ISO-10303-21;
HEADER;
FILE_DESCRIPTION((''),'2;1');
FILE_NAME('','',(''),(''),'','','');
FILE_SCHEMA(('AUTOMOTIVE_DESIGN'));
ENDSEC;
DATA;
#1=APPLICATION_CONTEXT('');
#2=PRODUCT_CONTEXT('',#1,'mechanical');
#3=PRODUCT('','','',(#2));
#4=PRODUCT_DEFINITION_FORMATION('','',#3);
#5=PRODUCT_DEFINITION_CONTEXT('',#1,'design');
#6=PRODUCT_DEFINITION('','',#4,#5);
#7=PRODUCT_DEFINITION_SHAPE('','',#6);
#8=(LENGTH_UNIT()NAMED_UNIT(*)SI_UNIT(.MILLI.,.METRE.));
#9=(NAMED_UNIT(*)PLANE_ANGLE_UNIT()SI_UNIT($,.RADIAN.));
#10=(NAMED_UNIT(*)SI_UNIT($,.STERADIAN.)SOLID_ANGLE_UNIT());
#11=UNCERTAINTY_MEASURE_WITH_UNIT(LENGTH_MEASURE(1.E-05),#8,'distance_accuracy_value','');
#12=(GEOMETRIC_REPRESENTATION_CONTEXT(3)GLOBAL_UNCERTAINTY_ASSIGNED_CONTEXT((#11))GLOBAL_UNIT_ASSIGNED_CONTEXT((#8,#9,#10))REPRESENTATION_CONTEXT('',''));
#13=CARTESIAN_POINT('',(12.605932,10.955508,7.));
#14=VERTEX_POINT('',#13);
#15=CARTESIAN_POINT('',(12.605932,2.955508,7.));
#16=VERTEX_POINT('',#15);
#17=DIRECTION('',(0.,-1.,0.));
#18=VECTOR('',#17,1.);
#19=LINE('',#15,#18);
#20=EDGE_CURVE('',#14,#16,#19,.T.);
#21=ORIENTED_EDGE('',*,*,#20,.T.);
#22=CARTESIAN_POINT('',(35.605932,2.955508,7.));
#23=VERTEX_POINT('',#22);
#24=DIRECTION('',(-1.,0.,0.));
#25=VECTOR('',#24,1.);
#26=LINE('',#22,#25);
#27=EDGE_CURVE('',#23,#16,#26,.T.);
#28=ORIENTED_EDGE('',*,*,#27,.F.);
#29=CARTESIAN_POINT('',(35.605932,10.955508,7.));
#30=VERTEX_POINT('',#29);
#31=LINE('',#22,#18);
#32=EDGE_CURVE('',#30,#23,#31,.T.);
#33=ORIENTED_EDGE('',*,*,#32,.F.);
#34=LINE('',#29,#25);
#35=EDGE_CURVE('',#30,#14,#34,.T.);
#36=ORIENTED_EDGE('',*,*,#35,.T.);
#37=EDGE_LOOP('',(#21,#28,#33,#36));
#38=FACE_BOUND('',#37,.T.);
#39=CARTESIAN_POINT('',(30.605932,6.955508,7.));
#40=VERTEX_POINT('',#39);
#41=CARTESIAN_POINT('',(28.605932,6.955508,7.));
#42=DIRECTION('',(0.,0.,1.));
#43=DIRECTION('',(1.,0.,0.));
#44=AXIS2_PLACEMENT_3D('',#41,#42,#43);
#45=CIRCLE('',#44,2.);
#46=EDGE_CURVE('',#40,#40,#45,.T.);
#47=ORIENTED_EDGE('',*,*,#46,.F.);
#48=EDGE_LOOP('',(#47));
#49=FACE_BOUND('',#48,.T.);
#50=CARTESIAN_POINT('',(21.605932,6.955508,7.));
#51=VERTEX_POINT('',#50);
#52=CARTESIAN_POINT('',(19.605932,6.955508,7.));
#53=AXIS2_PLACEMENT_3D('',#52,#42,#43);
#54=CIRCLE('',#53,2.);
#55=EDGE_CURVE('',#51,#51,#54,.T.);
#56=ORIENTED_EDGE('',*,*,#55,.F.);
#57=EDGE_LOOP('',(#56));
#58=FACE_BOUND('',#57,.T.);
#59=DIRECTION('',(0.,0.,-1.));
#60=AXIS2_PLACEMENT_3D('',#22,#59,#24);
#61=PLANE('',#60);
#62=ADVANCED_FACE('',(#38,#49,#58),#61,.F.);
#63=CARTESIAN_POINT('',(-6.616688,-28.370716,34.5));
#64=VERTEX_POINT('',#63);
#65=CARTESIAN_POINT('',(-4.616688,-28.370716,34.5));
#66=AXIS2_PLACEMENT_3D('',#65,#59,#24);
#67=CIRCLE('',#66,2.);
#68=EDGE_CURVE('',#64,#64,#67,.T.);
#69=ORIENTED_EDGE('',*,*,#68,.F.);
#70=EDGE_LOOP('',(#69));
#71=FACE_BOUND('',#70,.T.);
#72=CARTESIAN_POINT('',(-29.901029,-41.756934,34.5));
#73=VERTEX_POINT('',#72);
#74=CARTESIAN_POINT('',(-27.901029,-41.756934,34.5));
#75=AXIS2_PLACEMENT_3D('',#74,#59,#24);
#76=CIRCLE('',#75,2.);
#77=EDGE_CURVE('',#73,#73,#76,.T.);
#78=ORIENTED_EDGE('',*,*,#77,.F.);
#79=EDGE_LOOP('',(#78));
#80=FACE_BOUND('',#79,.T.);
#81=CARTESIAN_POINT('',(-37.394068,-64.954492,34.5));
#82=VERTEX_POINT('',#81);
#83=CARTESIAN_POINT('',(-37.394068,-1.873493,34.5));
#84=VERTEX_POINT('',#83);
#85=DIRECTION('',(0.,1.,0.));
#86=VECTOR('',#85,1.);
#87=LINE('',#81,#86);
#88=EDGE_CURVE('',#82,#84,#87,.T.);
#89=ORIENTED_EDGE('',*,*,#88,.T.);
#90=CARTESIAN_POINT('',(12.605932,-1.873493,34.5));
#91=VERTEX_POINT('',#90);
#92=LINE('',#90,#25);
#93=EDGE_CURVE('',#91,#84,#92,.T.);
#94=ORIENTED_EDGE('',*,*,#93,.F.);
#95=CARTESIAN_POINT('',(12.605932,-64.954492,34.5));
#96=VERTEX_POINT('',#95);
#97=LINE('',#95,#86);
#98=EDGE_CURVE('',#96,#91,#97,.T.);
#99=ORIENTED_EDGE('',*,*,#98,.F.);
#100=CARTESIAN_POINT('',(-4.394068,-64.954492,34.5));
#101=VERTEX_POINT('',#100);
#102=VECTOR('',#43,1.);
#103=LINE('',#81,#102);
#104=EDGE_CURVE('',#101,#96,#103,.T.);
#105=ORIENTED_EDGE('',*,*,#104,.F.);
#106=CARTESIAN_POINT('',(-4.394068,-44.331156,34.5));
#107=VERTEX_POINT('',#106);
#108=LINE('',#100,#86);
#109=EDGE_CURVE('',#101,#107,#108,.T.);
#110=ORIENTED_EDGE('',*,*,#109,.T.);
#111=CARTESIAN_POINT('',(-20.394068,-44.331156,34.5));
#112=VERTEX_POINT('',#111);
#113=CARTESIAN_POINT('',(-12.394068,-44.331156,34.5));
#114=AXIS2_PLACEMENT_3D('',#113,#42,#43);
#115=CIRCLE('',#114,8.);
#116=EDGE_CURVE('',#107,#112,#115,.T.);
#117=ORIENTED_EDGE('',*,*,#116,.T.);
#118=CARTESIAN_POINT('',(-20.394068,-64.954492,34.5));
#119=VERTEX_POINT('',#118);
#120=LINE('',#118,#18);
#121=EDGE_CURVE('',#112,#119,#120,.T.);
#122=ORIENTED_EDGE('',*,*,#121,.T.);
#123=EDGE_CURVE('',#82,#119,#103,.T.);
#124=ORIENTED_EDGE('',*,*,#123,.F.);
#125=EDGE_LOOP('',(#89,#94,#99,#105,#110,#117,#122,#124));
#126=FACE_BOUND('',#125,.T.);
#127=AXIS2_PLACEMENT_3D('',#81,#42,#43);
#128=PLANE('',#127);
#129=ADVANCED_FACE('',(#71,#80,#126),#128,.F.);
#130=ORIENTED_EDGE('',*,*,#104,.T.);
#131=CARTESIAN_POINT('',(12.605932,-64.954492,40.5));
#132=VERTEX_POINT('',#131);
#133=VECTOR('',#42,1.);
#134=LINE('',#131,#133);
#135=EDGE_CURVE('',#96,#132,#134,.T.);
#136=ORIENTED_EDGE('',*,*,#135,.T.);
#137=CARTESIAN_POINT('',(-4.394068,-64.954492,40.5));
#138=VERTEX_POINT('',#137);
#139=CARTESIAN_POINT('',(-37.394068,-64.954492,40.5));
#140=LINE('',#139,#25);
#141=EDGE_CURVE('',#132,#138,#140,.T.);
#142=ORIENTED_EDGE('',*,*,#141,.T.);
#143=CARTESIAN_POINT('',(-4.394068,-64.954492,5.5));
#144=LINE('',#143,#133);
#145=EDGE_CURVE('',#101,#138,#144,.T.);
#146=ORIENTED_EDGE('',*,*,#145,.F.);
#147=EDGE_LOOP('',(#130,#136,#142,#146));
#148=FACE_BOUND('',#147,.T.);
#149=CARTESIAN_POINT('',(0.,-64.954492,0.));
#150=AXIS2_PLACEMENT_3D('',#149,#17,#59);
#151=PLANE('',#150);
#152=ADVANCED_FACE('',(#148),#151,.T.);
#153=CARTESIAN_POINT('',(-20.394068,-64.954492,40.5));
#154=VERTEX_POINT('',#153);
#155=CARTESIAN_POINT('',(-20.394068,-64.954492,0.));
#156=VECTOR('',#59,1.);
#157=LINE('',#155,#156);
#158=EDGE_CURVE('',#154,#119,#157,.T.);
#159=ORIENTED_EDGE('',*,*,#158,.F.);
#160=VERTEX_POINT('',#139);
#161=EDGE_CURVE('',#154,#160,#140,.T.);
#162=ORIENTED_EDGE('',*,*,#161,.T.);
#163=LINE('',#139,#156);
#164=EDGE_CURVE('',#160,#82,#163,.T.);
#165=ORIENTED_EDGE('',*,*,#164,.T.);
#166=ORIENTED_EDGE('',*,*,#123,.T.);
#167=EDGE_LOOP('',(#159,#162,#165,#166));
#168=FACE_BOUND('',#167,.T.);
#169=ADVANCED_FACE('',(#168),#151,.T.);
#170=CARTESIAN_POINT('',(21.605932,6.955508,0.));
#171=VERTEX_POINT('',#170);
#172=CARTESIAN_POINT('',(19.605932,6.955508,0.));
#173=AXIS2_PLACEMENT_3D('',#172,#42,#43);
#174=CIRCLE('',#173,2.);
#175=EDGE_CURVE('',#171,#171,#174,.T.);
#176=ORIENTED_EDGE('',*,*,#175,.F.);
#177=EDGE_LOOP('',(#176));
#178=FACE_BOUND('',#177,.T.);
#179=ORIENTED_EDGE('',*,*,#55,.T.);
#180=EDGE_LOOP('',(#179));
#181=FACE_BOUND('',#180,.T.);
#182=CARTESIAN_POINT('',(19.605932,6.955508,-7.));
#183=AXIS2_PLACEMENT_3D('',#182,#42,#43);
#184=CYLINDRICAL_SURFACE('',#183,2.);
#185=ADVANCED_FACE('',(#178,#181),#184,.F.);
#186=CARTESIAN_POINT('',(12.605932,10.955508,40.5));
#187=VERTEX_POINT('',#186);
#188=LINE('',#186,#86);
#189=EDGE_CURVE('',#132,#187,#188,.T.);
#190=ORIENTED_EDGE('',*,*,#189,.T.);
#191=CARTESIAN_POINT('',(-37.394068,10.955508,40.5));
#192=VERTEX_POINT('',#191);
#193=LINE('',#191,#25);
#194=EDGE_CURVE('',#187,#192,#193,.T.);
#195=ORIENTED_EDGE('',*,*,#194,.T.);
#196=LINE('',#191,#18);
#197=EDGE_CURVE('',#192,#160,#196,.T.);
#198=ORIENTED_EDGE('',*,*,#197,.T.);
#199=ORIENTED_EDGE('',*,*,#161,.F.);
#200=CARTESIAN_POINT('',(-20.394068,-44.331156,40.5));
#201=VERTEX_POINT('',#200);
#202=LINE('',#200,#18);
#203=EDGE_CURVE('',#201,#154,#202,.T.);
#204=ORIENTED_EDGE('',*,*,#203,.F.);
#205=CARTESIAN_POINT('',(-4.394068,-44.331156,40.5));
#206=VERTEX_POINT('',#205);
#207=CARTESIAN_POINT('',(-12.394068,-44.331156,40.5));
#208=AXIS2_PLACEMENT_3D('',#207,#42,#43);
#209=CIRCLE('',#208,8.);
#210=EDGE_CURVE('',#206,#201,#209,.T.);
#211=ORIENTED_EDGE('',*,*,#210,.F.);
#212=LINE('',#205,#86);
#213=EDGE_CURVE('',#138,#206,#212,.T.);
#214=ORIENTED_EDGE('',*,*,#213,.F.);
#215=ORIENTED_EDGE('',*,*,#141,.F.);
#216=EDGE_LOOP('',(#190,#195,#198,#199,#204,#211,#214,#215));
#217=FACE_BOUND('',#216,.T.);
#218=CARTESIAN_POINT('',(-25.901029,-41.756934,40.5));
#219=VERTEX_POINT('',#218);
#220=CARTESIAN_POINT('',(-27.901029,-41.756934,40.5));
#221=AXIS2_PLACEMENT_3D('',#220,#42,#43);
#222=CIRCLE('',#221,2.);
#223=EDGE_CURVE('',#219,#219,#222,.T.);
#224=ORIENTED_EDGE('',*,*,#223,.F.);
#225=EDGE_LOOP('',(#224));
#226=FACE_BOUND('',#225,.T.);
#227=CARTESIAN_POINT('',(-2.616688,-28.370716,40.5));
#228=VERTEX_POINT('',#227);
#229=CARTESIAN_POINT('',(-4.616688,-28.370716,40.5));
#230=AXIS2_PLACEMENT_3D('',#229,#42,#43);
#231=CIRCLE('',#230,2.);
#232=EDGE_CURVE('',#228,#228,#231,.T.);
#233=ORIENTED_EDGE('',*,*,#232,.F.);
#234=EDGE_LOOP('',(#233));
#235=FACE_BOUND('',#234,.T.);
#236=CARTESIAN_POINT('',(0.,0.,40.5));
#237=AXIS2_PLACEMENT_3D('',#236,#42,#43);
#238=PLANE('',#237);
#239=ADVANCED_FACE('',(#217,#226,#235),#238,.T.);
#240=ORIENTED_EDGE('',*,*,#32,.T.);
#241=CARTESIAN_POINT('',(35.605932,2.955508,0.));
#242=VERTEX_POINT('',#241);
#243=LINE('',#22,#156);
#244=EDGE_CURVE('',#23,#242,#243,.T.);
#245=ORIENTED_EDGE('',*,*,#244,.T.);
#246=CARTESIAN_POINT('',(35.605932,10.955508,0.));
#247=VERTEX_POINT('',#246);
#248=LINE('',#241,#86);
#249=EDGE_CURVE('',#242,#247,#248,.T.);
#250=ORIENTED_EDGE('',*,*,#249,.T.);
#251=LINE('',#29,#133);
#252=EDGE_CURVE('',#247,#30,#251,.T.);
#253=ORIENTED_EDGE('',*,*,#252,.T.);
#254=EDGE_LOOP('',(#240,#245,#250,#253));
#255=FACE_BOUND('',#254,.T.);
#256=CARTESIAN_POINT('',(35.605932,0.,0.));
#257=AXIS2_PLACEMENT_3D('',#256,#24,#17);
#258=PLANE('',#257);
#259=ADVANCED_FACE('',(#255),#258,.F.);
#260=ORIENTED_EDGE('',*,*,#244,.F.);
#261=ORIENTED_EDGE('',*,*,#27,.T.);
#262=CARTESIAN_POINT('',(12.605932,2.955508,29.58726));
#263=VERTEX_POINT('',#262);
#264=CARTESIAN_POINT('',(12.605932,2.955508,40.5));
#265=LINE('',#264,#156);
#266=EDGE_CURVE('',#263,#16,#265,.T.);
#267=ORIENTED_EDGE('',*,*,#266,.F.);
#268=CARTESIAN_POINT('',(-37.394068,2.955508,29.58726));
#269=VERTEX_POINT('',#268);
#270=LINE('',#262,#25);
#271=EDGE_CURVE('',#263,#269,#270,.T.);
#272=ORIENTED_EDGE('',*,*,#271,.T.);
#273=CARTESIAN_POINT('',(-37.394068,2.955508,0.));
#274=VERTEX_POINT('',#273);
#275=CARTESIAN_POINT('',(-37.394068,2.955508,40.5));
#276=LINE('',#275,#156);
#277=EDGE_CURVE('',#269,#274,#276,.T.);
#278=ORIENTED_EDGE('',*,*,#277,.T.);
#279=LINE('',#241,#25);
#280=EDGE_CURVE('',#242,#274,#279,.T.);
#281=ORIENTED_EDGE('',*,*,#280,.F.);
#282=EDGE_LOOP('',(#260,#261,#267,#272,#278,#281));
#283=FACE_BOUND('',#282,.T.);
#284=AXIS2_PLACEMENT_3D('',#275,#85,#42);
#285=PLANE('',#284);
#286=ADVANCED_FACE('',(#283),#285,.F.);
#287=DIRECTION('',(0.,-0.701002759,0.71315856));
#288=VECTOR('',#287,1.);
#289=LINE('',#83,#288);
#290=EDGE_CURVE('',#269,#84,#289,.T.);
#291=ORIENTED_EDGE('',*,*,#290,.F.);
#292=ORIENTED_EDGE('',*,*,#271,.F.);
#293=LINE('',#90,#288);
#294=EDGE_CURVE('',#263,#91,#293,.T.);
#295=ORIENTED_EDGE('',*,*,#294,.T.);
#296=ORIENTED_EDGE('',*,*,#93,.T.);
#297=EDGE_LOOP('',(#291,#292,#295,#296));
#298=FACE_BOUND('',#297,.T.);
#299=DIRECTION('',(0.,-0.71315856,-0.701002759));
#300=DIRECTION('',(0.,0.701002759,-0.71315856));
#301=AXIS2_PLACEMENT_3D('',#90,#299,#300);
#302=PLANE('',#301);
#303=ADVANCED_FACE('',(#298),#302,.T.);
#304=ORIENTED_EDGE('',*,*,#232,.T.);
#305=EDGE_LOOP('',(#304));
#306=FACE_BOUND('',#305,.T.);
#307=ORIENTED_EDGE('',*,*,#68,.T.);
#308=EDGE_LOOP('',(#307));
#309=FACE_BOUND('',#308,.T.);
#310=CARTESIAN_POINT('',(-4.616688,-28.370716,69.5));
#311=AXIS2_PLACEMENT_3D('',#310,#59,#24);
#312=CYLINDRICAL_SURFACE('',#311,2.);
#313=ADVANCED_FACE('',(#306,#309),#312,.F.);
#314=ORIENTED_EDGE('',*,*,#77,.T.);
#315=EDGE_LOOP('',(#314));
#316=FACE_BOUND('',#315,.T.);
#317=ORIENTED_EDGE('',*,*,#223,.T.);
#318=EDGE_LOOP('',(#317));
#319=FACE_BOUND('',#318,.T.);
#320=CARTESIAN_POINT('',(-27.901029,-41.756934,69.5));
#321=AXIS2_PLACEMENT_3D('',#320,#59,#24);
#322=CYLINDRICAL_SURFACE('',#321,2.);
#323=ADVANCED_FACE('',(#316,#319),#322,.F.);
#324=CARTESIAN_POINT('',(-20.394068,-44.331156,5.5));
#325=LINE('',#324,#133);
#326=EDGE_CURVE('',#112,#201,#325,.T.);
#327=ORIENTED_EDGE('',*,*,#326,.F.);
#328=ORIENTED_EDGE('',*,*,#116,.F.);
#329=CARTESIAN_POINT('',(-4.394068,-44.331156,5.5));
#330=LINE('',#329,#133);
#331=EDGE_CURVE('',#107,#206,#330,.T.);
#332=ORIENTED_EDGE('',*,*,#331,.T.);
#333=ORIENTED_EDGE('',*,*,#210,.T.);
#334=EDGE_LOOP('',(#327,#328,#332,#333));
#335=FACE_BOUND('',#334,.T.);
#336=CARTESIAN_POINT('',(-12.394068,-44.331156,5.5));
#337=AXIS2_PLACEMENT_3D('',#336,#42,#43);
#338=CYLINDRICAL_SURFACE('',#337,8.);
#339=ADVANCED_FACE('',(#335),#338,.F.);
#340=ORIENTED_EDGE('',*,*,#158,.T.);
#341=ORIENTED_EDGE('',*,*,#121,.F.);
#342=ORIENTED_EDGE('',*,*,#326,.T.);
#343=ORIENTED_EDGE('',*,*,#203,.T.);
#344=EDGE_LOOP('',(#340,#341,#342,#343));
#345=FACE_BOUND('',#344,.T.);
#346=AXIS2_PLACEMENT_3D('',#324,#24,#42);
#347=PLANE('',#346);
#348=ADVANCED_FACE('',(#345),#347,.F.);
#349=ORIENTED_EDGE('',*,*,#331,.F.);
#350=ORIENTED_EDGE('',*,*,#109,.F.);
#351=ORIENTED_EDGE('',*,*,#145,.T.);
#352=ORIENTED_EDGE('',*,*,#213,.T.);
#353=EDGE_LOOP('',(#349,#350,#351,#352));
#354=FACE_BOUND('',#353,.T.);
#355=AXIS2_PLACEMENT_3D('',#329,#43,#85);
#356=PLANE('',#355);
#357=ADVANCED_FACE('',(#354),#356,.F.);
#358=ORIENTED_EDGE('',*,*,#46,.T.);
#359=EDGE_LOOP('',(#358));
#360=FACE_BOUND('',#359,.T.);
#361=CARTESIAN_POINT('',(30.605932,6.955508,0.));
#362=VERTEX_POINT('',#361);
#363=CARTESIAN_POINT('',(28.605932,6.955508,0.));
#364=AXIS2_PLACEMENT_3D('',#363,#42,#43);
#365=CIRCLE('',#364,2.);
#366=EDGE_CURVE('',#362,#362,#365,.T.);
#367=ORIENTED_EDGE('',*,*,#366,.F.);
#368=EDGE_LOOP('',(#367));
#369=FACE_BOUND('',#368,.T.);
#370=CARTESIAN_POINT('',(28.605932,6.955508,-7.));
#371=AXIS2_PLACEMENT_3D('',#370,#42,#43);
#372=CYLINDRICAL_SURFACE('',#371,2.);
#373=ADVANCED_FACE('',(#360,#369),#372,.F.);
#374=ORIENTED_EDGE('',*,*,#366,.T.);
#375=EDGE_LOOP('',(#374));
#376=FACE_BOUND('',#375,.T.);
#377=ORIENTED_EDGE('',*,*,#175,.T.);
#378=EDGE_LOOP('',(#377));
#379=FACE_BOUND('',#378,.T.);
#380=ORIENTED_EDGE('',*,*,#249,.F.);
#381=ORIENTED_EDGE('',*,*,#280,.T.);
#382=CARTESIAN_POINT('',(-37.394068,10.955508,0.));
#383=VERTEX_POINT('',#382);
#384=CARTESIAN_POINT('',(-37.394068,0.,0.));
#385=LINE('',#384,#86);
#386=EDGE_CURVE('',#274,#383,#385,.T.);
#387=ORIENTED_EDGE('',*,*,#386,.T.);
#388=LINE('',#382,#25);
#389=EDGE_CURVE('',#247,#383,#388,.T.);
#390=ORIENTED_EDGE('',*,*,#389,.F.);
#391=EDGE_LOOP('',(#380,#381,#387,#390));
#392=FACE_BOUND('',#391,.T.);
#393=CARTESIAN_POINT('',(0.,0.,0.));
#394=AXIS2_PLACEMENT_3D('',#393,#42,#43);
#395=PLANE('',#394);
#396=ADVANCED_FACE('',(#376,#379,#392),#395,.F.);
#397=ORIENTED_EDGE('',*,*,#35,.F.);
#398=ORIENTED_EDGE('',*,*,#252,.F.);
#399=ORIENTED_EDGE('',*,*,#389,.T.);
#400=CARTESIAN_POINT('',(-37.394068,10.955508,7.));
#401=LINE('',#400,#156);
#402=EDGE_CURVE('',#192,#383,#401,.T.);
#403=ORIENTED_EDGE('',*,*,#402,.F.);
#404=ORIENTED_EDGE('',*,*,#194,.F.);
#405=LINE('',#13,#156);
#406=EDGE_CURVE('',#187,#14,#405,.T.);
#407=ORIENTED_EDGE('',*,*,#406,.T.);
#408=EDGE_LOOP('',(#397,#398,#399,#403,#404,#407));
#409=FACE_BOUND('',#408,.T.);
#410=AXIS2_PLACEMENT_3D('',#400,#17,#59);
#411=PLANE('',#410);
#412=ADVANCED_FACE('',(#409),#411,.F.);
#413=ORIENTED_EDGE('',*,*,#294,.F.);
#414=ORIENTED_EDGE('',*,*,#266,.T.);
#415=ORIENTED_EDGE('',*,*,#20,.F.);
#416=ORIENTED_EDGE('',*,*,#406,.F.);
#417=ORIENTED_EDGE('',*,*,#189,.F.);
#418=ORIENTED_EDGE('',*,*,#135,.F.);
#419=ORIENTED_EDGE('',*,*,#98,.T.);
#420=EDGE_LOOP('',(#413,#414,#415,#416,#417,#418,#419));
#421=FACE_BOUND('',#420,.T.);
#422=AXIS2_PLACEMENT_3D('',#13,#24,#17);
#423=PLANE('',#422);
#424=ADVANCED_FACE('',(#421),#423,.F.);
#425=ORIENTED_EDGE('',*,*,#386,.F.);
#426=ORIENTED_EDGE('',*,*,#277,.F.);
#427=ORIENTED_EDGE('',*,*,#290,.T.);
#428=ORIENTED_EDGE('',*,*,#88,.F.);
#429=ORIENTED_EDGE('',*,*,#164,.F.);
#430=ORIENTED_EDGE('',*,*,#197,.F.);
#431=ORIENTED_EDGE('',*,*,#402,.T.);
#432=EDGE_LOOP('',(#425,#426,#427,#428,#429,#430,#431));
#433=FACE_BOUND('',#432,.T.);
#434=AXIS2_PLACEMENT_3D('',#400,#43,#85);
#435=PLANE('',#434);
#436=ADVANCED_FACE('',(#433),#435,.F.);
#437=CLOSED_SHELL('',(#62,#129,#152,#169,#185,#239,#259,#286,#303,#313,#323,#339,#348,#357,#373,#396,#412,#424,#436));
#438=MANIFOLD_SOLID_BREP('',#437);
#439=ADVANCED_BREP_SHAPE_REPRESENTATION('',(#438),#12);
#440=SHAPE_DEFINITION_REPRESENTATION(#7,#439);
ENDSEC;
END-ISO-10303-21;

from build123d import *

# Parameters (mm, degrees)
SKETCH1_W           = 50
SKETCH1_H           = 18
BOSS_EXTRUDE1_DEPTH = 7
SKETCH2_W           = 50
SKETCH2_H           = 8
BOSS_EXTRUDE2_DEPTH = 33.5
SKETCH3_W           = 7
SKETCH3_H           = 8
BOSS_EXTRUDE3_DEPTH = 23
SKETCH4_W           = 7
SKETCH4_H           = 8
BOSS_EXTRUDE4_DEPTH = 14
SKETCH5_W           = 50
SKETCH5_H           = 10
CUT_EXTRUDE1_DEPTH  = 14
SKETCH6_R           = 2
CUT_EXTRUDE2_DEPTH  = 14
SKETCH7_W           = 50
SKETCH7_H           = 6
BOSS_EXTRUDE5_DEPTH = 67.91
CUT_EXTRUDE3_DEPTH  = 35
SKETCH9_R           = 2
CUT_EXTRUDE5_DEPTH  = 35
BOSS_EXTRUDE8_DEPTH = 50
SKETCH13_W          = 14
SKETCH13_H          = 8
CUT_EXTRUDE6_DEPTH  = 10


with BuildPart() as part:
    # Sketch1 → Boss-Extrude1 (new body)
    with BuildSketch(Plane.XY):
        with Locations((-12.394067797, 1.955508475)):
            Rectangle(SKETCH1_W, SKETCH1_H)
    extrude(amount=BOSS_EXTRUDE1_DEPTH)

    # Sketch2 → Boss-Extrude2 (add)
    with BuildSketch(Plane.XY.offset(7)):
        with Locations((-12.394067797, 6.955508475)):
            Rectangle(SKETCH2_W, SKETCH2_H)
    extrude(amount=BOSS_EXTRUDE2_DEPTH)

    # Sketch3 → Boss-Extrude3 (add)
    with BuildSketch(Plane(origin=(12.605932203, 0, 0), x_dir=(0, 0, -1), z_dir=(1, 0, 0))):
        with Locations((-3.5, 6.955508475)):
            Rectangle(SKETCH3_W, SKETCH3_H)
    extrude(amount=BOSS_EXTRUDE3_DEPTH)

    # Sketch4 → Boss-Extrude4 (add)
    with BuildSketch(Plane.ZY.offset(37.394067797)):
        with Locations((3.5, 6.955508475)):
            Rectangle(SKETCH4_W, SKETCH4_H)
    extrude(amount=BOSS_EXTRUDE4_DEPTH)

    # Sketch5 → Cut-Extrude1 (cut)
    with BuildSketch(Plane.XY.offset(7)):
        with Locations((-12.394067797, -2.044491525)):
            Rectangle(SKETCH5_W, SKETCH5_H)
    extrude(amount=-CUT_EXTRUDE1_DEPTH, mode=Mode.SUBTRACT)

    # Sketch6 → Cut-Extrude2 (cut)
    with BuildSketch(Plane.XY.offset(7)):
        with Locations((19.605932203, 6.955508475)):
            Circle(SKETCH6_R)
        with Locations((28.605932203, 6.955508475)):
            Circle(SKETCH6_R)
    extrude(amount=-CUT_EXTRUDE2_DEPTH, mode=Mode.SUBTRACT)

    # Sketch7 → Boss-Extrude5 (add)
    with BuildSketch(Plane.XZ.offset(-2.955508475)):
        with Locations((-12.394067797, 37.5)):
            Rectangle(SKETCH7_W, SKETCH7_H)
    extrude(amount=BOSS_EXTRUDE5_DEPTH)

    # Sketch8 → Cut-Extrude3 (cut)
    with BuildSketch(Plane.XY.offset(40.5)):
        with BuildLine():
            Line((-4.394067797, -44.33115583), (-4.394067797, -64.954491525))
            ThreePointArc((-4.394067797, -64.954491525), (-12.394067797, -72.954491525), (-20.394067797, -64.954491525))
            Line((-20.394067797, -64.954491525), (-20.394067797, -44.33115583))
            ThreePointArc((-20.394067797, -44.33115583), (-12.394067797, -36.33115583), (-4.394067797, -44.33115583))
        make_face()
    extrude(amount=-CUT_EXTRUDE3_DEPTH, mode=Mode.SUBTRACT)

    # Sketch9 → Cut-Extrude5 (cut)
    with BuildSketch(Plane(origin=(0, 0, 34.5), x_dir=(-1, 0, 0), z_dir=(0, 0, -1))):
        with Locations((27.901028765, -41.756933891)):
            Circle(SKETCH9_R)
        with Locations((4.616687569, -28.370715783)):
            Circle(SKETCH9_R)
    extrude(amount=-CUT_EXTRUDE5_DEPTH, mode=Mode.SUBTRACT)

    # Sketch12 → Boss-Extrude8 (add)
    with BuildSketch(Plane.ZY.offset(37.394067797)):
        Polygon((34.5, -1.873493289), (29.5872605, 2.955508475), (34.5, 2.955508475), align=None)
    extrude(amount=-BOSS_EXTRUDE8_DEPTH)

    # Sketch13 → Cut-Extrude6 (cut)
    with BuildSketch(Plane.XY.offset(7)):
        with Locations((-44.394067797, 6.955508475)):
            Rectangle(SKETCH13_W, SKETCH13_H)
    extrude(amount=-CUT_EXTRUDE6_DEPTH, mode=Mode.SUBTRACT)


solid = part.part
